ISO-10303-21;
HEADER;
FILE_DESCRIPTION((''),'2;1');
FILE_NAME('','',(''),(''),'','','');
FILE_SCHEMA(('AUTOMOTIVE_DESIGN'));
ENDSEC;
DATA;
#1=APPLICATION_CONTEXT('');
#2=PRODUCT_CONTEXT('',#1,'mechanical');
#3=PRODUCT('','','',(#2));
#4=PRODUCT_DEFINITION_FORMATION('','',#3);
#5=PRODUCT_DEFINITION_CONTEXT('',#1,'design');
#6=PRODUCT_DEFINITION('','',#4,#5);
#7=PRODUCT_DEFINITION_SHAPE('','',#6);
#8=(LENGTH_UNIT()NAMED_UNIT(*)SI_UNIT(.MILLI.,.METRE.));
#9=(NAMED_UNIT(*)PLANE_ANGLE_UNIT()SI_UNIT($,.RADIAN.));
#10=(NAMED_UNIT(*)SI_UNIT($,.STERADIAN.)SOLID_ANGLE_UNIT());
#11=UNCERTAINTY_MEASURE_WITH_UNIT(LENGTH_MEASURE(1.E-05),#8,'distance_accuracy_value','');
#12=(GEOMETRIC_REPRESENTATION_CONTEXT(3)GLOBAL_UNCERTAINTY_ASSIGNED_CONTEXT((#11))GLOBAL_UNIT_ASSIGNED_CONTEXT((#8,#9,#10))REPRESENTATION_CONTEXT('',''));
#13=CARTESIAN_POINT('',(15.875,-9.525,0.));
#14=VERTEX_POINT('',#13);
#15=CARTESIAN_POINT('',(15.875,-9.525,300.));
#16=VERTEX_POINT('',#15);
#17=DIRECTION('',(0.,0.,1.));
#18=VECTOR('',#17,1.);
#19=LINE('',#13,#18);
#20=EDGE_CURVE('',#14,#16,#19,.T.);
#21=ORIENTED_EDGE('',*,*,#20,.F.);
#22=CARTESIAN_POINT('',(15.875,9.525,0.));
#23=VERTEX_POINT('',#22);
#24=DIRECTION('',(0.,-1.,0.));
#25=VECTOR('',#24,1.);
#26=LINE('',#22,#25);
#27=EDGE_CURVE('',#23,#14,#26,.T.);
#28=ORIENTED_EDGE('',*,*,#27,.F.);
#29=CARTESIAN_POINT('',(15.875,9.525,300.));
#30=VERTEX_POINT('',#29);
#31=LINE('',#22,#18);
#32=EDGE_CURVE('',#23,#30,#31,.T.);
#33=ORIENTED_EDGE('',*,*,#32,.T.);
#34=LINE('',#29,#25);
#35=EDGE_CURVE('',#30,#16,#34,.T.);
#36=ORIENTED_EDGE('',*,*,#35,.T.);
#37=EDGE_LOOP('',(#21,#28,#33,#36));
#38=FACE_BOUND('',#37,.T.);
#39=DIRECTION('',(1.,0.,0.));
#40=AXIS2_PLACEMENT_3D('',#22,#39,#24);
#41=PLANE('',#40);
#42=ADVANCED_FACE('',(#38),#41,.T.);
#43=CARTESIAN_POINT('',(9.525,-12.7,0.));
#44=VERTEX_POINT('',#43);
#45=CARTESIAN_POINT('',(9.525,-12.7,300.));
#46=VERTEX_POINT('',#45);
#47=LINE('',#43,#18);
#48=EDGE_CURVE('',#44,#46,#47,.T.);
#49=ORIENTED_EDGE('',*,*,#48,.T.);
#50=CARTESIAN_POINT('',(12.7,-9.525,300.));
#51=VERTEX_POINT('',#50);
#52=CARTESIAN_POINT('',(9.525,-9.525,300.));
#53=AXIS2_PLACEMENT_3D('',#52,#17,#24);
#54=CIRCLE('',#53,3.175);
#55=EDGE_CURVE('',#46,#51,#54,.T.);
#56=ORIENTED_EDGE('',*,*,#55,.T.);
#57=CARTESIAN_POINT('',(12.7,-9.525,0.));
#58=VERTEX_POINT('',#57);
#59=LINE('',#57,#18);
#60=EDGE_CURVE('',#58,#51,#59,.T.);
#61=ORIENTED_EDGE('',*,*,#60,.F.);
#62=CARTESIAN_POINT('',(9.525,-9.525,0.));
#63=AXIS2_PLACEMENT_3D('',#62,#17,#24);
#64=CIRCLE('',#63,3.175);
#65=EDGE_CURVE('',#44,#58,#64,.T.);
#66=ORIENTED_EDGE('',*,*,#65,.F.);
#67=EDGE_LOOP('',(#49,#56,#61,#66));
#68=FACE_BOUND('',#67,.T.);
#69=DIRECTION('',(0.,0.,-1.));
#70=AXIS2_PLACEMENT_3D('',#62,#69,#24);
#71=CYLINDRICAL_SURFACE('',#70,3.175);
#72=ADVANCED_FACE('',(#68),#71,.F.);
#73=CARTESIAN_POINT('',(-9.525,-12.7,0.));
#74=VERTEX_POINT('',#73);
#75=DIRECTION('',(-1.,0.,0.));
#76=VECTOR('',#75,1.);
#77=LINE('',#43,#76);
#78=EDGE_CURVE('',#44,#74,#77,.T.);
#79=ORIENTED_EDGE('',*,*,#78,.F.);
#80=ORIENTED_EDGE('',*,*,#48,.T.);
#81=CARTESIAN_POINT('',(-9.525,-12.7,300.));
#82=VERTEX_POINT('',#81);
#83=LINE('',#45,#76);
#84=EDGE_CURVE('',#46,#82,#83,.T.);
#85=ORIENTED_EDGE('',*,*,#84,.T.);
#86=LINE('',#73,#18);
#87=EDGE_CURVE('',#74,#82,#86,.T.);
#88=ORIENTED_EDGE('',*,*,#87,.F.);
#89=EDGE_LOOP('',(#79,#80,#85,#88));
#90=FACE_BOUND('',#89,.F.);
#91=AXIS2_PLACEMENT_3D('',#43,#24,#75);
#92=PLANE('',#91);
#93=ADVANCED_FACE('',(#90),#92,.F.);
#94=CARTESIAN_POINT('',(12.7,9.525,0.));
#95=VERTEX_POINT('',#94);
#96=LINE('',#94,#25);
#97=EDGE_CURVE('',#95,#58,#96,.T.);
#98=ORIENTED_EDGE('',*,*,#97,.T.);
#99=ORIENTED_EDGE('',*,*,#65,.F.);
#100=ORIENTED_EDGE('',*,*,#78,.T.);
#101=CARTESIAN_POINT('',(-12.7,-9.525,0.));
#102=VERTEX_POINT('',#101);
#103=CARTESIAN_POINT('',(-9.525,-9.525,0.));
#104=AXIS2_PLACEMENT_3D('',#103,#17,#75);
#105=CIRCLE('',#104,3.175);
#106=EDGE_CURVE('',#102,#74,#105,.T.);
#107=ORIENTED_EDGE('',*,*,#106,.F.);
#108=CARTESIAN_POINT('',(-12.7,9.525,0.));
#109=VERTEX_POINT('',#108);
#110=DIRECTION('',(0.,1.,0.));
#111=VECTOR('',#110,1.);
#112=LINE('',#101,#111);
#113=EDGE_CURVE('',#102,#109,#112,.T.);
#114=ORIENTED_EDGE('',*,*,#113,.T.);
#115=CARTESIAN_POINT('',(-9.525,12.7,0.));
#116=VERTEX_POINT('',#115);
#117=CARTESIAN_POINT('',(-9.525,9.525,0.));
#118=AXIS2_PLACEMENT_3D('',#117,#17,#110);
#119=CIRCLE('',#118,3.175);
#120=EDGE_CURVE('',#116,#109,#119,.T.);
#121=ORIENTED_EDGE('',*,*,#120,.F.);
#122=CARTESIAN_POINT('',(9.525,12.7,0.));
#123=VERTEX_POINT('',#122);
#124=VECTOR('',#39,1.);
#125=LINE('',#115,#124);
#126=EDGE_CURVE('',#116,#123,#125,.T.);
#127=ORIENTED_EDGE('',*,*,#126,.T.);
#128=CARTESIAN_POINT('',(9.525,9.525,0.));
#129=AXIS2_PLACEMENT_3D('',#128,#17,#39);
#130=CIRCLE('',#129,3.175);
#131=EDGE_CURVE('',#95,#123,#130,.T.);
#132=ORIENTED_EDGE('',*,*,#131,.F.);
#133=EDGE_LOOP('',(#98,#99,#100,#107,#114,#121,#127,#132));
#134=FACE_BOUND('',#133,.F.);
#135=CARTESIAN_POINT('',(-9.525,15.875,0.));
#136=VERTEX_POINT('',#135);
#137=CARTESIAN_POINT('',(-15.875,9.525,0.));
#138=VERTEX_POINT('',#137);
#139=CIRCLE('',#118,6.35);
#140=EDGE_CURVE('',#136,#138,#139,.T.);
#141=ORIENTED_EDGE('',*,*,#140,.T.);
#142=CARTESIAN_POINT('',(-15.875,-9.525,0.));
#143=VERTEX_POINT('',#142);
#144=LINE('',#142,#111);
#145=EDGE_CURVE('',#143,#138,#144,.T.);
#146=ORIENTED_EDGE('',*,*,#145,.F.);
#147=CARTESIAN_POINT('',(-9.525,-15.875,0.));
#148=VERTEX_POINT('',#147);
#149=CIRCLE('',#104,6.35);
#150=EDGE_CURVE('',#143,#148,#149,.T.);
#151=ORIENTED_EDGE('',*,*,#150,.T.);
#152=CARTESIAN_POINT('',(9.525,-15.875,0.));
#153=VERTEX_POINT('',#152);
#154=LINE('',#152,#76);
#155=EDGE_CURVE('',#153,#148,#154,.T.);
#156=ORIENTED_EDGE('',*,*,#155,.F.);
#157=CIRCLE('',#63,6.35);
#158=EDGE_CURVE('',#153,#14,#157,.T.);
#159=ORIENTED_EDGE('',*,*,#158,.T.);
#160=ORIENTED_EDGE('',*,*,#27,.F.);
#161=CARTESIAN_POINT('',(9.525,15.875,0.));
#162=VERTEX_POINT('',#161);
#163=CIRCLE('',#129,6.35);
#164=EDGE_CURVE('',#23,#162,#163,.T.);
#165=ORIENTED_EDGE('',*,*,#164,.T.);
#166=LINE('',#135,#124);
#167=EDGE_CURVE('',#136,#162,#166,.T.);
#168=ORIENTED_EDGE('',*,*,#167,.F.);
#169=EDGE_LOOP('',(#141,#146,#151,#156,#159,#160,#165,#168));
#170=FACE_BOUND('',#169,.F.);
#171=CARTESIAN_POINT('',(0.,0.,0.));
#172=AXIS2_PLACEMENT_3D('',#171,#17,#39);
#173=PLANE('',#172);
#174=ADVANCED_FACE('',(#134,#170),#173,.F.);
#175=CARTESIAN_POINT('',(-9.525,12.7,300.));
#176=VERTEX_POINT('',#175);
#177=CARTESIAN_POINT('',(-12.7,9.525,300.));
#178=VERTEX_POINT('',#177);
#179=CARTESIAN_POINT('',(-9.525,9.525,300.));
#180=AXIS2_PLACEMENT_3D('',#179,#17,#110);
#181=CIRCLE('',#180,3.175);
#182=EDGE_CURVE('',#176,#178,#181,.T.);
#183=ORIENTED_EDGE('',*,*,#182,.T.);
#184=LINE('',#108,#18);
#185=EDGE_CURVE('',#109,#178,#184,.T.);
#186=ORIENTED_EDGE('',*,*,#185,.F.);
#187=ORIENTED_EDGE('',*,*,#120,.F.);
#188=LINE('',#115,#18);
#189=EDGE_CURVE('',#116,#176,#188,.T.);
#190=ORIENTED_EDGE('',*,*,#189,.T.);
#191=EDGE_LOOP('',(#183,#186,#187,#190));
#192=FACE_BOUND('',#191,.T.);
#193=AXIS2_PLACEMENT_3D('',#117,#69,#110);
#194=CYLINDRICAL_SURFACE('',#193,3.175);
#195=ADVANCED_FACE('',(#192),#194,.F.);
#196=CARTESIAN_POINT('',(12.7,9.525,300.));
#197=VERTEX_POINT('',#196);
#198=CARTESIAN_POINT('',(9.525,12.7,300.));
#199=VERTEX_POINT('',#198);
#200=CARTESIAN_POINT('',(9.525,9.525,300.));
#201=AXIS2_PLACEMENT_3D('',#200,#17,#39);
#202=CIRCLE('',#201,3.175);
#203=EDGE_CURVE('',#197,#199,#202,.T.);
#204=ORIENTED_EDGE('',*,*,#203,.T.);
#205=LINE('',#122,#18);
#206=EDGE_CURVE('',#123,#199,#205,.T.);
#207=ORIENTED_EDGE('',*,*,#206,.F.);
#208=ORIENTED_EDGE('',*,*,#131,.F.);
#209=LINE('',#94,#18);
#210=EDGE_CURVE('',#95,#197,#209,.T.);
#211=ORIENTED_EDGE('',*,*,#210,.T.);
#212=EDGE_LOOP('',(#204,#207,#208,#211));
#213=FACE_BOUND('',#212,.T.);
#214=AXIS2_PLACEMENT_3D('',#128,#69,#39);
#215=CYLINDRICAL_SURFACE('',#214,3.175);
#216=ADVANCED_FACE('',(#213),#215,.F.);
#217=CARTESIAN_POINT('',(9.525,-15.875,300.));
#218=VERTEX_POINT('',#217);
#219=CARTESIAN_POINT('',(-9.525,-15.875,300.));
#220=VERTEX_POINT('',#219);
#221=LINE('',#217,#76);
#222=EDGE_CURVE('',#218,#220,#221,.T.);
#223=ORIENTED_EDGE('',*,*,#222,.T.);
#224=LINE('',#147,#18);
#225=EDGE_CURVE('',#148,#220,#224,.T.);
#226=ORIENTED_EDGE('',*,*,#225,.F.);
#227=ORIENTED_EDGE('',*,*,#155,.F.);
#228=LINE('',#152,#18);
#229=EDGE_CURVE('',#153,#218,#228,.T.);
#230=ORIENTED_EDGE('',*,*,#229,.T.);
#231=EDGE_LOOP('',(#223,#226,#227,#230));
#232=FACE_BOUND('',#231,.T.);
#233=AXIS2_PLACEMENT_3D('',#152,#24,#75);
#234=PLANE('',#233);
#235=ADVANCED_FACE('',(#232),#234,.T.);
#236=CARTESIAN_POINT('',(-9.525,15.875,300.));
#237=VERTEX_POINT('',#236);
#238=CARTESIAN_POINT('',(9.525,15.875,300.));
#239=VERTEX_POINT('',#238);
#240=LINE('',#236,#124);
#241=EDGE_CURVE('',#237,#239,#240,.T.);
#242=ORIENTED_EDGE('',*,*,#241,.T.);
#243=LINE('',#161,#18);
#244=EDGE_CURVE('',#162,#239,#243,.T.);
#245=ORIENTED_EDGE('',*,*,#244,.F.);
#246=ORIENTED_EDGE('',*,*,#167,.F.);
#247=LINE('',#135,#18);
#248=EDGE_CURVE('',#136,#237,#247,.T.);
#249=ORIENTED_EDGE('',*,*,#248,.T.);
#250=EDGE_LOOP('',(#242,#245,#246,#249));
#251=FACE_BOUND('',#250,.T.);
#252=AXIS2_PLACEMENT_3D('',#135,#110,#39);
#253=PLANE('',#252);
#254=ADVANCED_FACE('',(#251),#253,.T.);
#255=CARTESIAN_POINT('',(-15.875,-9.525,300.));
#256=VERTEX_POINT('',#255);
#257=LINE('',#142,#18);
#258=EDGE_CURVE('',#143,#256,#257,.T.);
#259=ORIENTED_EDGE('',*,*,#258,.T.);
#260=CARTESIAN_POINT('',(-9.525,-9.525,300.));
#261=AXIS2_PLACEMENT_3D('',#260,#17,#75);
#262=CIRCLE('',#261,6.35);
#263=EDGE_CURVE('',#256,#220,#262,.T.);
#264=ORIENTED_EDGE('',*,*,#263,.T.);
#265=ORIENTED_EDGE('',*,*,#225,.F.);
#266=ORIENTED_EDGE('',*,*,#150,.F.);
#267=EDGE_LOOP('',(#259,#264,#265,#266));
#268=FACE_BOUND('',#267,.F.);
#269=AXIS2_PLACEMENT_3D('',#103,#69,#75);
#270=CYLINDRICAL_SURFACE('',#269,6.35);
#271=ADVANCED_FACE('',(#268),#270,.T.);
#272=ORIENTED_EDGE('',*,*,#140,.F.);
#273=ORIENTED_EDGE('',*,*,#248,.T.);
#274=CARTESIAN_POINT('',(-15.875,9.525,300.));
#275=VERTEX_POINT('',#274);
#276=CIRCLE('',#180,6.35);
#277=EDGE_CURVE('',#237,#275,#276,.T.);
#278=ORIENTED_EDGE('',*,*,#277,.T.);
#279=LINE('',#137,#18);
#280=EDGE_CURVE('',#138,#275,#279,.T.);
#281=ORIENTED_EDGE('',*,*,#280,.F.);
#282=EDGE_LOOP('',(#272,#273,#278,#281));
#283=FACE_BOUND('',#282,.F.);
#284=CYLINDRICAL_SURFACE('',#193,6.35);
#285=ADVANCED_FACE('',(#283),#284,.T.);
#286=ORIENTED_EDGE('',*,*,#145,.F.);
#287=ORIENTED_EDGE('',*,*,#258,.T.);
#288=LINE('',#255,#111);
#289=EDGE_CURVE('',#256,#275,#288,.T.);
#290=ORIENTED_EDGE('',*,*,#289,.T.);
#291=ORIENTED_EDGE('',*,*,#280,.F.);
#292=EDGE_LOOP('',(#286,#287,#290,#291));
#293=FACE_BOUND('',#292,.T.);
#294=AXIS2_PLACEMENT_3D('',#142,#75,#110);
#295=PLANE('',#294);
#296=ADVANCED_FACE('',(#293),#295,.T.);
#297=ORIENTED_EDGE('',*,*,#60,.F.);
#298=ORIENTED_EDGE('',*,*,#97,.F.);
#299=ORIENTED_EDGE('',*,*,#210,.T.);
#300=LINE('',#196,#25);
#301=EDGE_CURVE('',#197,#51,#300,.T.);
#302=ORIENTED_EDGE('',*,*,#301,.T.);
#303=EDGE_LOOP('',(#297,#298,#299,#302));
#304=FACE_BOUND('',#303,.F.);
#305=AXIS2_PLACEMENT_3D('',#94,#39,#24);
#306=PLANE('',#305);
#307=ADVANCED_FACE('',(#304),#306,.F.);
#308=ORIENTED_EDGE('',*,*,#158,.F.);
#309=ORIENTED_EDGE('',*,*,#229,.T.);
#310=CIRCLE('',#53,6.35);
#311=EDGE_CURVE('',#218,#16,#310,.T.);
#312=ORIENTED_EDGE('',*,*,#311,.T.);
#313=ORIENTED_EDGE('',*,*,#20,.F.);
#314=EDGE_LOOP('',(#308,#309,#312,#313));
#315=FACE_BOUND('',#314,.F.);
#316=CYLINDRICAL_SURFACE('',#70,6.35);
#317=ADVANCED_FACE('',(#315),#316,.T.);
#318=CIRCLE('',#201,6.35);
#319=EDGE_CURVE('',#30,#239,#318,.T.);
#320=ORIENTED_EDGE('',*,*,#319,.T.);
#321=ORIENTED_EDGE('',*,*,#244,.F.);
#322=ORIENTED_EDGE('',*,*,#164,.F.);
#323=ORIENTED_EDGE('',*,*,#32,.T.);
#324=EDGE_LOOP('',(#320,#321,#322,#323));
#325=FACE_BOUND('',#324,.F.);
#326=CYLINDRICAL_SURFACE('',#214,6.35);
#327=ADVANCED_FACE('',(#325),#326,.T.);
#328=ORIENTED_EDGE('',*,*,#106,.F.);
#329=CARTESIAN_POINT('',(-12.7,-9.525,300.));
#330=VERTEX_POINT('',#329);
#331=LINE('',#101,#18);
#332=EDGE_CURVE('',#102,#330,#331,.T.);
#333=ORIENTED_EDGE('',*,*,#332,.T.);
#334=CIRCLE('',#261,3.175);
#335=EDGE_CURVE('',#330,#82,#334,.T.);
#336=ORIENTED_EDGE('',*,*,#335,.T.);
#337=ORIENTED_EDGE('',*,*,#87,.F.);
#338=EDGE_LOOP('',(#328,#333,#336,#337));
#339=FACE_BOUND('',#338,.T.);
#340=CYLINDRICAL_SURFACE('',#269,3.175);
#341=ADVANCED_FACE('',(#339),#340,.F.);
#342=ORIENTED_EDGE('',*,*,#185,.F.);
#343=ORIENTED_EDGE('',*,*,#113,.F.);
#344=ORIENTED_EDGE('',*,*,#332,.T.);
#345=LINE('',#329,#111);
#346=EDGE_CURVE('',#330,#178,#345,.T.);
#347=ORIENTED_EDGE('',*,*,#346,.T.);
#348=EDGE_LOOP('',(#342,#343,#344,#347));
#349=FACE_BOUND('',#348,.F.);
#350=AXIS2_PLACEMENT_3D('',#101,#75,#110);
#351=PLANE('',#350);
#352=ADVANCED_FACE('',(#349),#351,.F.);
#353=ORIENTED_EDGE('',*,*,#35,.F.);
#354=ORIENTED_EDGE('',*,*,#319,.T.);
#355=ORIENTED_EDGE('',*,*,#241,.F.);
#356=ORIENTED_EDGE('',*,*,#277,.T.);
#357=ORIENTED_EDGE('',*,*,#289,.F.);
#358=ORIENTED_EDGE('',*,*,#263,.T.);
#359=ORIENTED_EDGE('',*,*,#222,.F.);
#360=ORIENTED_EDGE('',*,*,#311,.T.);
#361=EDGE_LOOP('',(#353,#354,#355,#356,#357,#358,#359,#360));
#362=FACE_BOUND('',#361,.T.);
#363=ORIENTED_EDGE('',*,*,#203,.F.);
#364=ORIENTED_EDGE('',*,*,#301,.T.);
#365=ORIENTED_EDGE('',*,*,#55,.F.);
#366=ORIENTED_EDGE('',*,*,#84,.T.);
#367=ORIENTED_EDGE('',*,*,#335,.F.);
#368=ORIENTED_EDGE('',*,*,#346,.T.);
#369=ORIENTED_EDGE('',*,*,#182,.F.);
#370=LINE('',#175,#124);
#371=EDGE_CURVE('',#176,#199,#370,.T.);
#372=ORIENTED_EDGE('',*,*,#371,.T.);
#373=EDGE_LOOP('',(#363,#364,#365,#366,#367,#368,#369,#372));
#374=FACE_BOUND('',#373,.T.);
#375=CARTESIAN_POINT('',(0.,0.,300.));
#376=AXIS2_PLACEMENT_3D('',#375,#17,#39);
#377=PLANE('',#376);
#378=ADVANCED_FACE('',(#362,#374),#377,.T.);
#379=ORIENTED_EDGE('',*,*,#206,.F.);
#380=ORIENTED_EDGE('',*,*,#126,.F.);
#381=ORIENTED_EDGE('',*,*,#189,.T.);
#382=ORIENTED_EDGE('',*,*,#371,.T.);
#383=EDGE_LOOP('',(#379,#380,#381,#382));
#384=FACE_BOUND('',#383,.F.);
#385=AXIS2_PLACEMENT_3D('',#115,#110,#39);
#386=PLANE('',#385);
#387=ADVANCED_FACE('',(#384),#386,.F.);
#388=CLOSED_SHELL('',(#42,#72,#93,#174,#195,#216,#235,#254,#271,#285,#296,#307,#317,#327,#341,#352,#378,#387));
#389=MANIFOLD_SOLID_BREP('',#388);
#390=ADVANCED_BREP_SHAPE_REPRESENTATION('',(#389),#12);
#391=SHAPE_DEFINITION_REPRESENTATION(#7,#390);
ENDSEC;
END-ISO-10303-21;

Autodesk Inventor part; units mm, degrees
ref_plane "YZ Plane" through (0, 0, 0) normal (1, 0, 0) x (0, 1, 0)
ref_plane "Start Plane" through (0, 0, 0) normal (0, 0, 1) x (1, 0, 0)
ref_plane "End Plane" through (0, 0, 300) normal (0, 0, 1) x (1, 0, 0)
sketch "Sketch" plane through (0, 0, 0) normal (0, 0, 1) x (1, 0, 0)
  line L0 (-15.875, -9.525) -> (-15.875, 9.525)
  line L1 (-9.525, 15.875) -> (9.525, 15.875)
  line L2 (15.875, 9.525) -> (15.875, -9.525)
  line L3 (9.525, -15.875) -> (-9.525, -15.875)
  arc A0 (-15.875, -9.525) -> (-9.525, -15.875) centre (-9.525, -9.525) ccw
  arc A1 (-9.525, 15.875) -> (-15.875, 9.525) centre (-9.525, 9.525) ccw
  arc A2 (15.875, 9.525) -> (9.525, 15.875) centre (9.525, 9.525) ccw
  arc A3 (9.525, -15.875) -> (15.875, -9.525) centre (9.525, -9.525) ccw
  arc A4 (-9.525, 12.7) -> (-12.7, 9.525) centre (-9.525, 9.525) ccw
  line L4 (-9.525, 12.7) -> (9.525, 12.7)
  arc A5 (12.7, 9.525) -> (9.525, 12.7) centre (9.525, 9.525) ccw
  line L5 (12.7, 9.525) -> (12.7, -9.525)
  arc A6 (9.525, -12.7) -> (12.7, -9.525) centre (9.525, -9.525) ccw
  line L6 (9.525, -12.7) -> (-9.525, -12.7)
  arc A7 (-12.7, -9.525) -> (-9.525, -12.7) centre (-9.525, -9.525) ccw
  line L7 (-12.7, -9.525) -> (-12.7, 9.525)
  line L8 (0, 24.0662) -> (0, -24.0662) construction
  line L9 (-24.0662, 0) -> (24.0662, 0) construction
  dimension "d10" = 31.75
  dimension "d11" = 31.75
  dimension "d12" = 3.175
  dimension "d15" = 15.875
  dimension "d16" = 15.875
  dimension "d17" = 6.35
extrude "Body" add sketch "Sketch" along normal up to surface (300 mm away) from surface at 0
sketch "Sketch3" plane through (0, 0, 0) normal (0, 0, 1) x (1, 0, 0)
  line L0 (0, 0) -> (10, 0)
ref_plane "Work Plane3" through (0, 0, 0) normal (0, -1, 0) x (1, 0, 0)
sketch "Sketch4" plane through (0, 0, 0) normal (0, -1, 0) x (1, 0, 0)
  line L0 (-2, 0) -> (12, 0) projected
  line L1 (-2, 300) -> (12, 300) projected
  dimension "d19" = 300
equation "\"d10\" = G_H"
equation "\"d11\" = G_W"
equation "\"d12\" = G_T"
equation "\"d15\" = 0.5 * d10"
equation "\"d16\" = 0.5 * d11"
equation "\"d17\" = G_IR"
equation "\"d3\" = G_L"
equation "\"G_W\" = 31.75"
equation "\"G_H\" = 31.75"
equation "\"G_T\" = 3.175"
equation "\"G_IR\" = 6.35"
equation "\"G_L\" = d19"
equation "\"G_OFFSET_START\" = 0"
equation "\"G_OFFSET_END\" = 0"
equation "\"d14\" = G_OFFSET_END + B_L"
equation "\"B_L\" = 300"
properties part number "AISC HSS - (1 1/4x1 1/4x1/8) - 11.811" material "Steel, Mild"
